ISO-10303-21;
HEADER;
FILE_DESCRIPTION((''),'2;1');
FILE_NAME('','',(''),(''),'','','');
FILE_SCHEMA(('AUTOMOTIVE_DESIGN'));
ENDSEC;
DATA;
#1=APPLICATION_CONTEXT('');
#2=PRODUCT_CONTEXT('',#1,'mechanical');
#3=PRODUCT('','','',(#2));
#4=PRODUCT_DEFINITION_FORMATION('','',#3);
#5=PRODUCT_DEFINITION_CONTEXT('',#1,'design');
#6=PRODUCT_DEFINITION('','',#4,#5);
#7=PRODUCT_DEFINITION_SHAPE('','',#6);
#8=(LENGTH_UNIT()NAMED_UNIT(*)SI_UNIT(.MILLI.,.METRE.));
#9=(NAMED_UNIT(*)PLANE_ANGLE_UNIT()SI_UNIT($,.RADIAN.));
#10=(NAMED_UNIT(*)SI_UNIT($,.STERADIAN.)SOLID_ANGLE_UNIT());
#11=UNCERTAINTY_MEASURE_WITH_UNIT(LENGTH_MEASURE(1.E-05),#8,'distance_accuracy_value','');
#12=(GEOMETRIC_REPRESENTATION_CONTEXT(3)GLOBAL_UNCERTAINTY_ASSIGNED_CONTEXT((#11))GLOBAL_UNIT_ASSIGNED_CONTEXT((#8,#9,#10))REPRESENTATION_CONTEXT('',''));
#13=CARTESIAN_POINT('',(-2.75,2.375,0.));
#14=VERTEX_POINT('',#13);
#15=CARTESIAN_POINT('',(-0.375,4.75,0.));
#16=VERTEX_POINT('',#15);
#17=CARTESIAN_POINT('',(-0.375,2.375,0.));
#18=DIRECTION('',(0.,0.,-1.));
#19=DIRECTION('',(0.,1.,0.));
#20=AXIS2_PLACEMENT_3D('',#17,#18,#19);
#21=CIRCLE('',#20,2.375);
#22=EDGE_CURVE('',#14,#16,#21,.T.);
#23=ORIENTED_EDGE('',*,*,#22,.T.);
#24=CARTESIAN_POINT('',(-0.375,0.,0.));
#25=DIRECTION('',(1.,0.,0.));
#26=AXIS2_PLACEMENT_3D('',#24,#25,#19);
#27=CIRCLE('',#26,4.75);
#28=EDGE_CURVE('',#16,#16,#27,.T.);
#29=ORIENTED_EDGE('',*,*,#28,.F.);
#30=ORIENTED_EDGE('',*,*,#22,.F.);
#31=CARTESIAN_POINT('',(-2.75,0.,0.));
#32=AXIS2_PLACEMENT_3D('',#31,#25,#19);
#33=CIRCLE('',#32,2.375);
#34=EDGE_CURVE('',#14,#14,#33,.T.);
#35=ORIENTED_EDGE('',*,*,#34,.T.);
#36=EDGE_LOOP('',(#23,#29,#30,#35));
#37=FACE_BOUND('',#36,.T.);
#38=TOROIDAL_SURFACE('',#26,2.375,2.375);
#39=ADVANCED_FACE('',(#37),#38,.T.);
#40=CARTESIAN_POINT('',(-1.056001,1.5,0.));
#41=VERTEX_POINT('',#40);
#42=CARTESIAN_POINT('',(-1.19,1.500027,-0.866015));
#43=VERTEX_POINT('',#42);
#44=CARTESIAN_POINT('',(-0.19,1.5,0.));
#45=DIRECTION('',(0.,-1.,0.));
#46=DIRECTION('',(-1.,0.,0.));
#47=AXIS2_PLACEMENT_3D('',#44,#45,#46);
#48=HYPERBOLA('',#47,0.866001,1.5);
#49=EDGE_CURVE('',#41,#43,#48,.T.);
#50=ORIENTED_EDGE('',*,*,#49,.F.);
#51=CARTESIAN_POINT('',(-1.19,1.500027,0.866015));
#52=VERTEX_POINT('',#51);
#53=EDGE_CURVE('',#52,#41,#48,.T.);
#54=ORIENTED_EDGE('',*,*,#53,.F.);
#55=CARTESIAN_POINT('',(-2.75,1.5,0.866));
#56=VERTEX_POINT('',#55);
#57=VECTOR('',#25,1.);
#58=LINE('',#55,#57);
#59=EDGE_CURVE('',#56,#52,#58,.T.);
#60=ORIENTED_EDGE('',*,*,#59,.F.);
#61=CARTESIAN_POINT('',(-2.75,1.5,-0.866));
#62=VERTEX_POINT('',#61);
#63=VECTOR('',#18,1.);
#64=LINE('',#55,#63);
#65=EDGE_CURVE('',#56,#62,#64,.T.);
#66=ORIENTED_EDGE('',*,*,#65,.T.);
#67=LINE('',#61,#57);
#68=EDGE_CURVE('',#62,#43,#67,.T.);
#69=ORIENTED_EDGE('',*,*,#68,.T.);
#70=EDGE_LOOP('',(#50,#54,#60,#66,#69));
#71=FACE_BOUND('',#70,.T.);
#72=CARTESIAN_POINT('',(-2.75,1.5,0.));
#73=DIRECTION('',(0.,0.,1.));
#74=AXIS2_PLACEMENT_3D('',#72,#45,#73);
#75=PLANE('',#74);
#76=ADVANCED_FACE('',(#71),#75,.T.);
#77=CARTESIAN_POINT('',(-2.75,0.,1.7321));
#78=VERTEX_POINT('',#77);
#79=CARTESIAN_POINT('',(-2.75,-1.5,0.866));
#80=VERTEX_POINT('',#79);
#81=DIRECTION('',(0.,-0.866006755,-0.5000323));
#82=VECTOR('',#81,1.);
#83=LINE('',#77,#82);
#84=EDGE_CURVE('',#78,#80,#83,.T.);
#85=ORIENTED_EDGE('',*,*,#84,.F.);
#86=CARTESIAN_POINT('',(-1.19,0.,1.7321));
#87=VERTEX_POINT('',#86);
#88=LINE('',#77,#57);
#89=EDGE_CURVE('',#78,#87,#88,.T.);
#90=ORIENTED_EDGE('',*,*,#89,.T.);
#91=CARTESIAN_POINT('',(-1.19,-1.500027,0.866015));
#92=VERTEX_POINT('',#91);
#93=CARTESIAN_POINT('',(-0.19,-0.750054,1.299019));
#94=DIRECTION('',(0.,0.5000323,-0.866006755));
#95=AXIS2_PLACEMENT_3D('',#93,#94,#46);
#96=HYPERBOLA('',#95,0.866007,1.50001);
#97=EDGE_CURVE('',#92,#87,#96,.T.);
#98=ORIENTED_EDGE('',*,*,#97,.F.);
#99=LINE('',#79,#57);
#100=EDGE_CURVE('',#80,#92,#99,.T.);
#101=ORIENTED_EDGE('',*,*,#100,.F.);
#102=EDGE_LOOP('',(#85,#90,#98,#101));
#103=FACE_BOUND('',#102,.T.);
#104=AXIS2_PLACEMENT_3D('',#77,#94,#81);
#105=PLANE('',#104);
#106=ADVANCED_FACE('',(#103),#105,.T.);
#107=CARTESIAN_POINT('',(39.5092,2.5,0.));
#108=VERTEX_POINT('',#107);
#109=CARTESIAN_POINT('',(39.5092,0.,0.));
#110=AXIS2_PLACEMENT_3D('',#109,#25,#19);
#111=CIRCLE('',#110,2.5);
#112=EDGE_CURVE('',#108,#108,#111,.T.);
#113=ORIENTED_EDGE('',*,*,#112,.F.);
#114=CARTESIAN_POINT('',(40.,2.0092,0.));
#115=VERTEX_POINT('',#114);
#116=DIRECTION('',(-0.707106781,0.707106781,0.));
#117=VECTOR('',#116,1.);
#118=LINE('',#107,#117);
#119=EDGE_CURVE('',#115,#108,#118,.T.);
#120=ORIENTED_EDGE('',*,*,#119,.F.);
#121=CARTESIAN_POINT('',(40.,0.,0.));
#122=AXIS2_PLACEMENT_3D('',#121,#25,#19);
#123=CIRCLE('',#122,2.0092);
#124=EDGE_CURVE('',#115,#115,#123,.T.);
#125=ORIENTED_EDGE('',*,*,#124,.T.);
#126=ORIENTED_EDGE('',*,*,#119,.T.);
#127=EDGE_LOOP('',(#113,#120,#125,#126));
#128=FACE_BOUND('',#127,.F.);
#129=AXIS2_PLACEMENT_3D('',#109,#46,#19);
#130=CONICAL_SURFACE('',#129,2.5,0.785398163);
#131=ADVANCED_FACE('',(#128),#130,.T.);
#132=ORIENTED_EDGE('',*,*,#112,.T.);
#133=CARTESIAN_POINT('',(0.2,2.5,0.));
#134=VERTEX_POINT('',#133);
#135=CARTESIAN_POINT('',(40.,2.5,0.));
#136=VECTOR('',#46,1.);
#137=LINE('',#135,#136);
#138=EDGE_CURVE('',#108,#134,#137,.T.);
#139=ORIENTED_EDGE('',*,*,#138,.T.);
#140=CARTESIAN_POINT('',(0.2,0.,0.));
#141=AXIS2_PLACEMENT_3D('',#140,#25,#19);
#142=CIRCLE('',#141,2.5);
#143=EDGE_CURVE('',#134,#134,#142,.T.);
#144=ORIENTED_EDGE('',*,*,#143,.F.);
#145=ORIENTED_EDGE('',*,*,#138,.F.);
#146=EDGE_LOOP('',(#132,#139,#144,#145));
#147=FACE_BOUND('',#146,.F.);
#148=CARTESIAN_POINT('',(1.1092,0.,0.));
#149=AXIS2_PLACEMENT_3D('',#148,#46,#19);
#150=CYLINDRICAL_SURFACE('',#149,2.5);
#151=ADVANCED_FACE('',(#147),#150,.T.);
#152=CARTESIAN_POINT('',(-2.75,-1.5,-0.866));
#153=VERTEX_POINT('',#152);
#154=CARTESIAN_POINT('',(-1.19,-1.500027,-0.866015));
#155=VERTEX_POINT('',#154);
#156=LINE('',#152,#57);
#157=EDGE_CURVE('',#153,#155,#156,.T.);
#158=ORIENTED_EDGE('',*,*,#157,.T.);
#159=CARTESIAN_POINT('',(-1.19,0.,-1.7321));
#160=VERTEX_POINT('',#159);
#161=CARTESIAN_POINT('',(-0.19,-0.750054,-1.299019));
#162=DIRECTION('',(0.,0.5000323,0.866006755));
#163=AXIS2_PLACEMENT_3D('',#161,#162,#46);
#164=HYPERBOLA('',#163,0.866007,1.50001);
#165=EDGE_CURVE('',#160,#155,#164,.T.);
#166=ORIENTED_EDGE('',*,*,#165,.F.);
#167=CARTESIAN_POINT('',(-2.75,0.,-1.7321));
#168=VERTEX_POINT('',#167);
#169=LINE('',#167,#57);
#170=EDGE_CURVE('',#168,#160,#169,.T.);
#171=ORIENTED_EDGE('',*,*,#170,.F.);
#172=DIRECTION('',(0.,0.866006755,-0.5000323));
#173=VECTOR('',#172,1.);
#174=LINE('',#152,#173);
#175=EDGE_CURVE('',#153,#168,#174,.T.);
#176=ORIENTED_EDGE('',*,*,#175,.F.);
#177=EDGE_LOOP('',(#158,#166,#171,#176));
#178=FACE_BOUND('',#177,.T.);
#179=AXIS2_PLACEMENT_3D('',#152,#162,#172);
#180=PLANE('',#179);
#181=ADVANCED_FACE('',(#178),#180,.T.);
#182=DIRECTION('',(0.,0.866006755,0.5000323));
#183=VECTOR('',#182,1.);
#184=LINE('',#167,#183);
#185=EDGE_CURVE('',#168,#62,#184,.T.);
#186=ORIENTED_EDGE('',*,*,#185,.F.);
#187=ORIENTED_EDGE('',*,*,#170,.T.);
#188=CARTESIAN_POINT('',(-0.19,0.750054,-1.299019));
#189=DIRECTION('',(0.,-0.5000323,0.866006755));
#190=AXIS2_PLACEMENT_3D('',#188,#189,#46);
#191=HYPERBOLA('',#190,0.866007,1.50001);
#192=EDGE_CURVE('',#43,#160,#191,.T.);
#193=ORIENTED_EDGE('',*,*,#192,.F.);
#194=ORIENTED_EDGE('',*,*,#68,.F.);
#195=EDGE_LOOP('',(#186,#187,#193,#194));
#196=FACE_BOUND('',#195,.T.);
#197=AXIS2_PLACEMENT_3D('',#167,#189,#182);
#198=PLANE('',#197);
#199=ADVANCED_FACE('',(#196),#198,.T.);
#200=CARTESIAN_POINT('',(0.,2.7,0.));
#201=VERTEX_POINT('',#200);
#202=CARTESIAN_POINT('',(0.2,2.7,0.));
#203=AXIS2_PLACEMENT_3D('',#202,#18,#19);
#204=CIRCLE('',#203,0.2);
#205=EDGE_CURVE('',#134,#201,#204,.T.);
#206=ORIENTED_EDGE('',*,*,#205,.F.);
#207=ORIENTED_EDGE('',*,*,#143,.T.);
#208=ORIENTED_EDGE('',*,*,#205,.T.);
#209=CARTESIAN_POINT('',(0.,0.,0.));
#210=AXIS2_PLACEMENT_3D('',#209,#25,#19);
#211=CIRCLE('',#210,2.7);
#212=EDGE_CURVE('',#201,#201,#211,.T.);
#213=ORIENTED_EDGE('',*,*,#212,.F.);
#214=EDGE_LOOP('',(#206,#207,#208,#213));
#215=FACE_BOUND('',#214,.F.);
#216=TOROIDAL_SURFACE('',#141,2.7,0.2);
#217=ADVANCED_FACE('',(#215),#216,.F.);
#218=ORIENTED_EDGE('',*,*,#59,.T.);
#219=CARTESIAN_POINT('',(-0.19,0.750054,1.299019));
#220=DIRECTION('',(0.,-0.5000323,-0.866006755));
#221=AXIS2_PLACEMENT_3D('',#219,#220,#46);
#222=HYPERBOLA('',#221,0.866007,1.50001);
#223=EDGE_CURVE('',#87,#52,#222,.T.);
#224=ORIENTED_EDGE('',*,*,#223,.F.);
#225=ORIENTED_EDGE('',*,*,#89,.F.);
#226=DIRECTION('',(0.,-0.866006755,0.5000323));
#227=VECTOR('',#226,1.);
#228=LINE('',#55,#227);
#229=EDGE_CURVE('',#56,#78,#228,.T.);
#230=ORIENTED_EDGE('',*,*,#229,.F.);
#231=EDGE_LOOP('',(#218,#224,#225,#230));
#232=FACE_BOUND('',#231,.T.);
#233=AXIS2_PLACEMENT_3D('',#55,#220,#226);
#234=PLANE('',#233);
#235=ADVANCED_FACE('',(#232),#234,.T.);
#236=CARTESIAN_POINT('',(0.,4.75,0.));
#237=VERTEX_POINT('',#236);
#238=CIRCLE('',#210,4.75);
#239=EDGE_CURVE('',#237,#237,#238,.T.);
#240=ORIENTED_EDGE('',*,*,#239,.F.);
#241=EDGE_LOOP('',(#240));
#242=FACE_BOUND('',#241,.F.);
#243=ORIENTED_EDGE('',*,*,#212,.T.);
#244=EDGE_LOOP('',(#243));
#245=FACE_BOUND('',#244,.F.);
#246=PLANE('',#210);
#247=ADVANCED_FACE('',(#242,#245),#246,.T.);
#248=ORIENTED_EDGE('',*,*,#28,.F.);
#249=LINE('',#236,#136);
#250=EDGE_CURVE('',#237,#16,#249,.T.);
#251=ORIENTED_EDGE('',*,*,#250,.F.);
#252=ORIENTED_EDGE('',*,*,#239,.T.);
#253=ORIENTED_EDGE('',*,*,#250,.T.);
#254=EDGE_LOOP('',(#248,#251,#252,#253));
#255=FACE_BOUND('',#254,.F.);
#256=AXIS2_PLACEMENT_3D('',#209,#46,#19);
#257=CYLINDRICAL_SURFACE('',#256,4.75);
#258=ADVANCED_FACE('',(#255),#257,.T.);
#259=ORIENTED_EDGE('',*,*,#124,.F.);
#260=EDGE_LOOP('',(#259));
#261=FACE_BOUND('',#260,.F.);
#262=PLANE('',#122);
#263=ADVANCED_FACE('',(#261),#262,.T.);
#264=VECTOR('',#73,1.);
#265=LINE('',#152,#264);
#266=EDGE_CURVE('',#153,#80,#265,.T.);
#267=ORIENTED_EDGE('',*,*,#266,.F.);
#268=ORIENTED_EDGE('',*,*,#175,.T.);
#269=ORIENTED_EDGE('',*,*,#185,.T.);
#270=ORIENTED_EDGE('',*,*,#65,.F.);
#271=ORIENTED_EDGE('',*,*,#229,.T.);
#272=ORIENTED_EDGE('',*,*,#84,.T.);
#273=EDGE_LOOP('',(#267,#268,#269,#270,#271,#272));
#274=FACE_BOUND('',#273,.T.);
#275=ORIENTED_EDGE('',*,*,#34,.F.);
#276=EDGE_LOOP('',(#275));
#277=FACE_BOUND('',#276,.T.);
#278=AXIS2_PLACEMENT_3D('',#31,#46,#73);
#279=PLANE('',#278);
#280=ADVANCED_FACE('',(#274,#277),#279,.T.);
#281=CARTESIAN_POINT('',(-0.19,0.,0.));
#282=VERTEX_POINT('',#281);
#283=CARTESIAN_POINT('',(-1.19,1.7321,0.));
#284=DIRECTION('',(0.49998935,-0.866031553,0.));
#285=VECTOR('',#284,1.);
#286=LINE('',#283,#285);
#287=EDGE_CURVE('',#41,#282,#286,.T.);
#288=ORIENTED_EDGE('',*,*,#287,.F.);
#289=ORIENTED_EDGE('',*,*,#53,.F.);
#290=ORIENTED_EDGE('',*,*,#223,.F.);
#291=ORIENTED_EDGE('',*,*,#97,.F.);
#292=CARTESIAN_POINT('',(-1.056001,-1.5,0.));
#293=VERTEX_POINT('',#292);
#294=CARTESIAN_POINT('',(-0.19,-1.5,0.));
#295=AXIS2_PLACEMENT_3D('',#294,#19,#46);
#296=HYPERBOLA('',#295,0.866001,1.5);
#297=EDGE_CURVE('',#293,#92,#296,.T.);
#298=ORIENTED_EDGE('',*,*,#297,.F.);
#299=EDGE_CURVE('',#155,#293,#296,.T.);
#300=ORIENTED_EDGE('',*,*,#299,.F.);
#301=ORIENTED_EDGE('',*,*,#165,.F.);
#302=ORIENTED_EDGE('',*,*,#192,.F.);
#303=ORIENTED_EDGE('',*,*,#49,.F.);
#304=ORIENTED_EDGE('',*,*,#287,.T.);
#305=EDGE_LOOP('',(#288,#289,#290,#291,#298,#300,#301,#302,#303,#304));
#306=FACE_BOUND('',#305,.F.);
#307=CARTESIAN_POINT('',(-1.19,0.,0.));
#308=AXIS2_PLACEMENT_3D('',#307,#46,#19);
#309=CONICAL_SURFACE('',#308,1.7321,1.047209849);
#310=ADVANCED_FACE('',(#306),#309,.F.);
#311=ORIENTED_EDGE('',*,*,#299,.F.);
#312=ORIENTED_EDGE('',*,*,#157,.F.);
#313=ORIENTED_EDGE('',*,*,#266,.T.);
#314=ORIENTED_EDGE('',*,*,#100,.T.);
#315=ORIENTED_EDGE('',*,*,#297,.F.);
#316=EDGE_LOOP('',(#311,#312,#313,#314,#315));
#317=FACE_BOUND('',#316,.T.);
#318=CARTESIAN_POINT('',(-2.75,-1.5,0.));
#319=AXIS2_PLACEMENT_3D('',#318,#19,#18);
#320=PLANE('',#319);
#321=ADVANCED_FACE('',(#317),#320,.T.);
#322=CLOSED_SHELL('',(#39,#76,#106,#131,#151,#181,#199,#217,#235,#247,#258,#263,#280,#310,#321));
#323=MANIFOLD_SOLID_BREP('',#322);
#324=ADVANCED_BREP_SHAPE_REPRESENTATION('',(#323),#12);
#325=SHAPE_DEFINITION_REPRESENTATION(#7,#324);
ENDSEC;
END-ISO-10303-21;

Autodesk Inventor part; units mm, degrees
ref_plane "YZ Plane" through (0, 0, 0) normal (1, 0, 0) x (0, 1, 0)
ref_plane "XZ Plane" through (0, 0, 0) normal (0, 1, 0) x (-1, 0, 0)
sketch "Sketch1" plane through (0, 0, 0) normal (0, 0, 1) x (1, 0, 0)
  line L0 (-0.19, 0) -> (40, 0)
  line L1 (40, 0) -> (40, 2.5)
  line L2 (40, 2.5) -> (1.6, 2.5)
  line L3 (1.6, 2.5) -> (1.1092, 2.5)
  line L4 (1.1092, 2.5) -> (0, 2.5)
  line L5 (0, 2.5) -> (0, 4.75)
  line L6 (0, 4.75) -> (-2.75, 4.75)
  line L7 (-2.75, 4.75) -> (-2.75, 1.7321)
  line L8 (-2.75, 1.7321) -> (-1.19, 1.7321)
  line L9 (-1.19, 1.7321) -> (-0.19, 0)
  line L10 (-11.3, 0) -> (48.55, 0) projected
  line L11 (0, -0.95) -> (0, 5.7) projected
  line L12 (1.6, 2.5) -> (0, 2.5) construction
  dimension "d0" = 38.4
  dimension "d1" = 0.4908
  dimension "d2" = 2.75
  dimension "d3" = 1.56
  dimension "d4" = 60
  dimension "d5" = 5
  dimension "d6" = 5
  dimension "d7" = 3.4641
  dimension "d8" = 9.5
  dimension "d19" = 40
revolve "Body" add sketch "Sketch1" angle 360 about axis through (-0.19, 0, 0) along (1, 0, 0)
sketch "Sketch2" plane through (-2.75, 0, 0) normal (-1, 0, 0) x (0, 0, 1)
  circle A0 centre (0, 0) radius 1.7321 projected
  line L0 (0, -6.65) -> (0, 6.65) projected
  line L1 (-6.65, 0) -> (6.65, 0) projected
  line L2 (1.7321, 0) -> (0.866, -1.5)
  line L3 (0.866, -1.5) -> (-0.866, -1.5)
  line L4 (-0.866, -1.5) -> (-1.7321, 0)
  line L5 (-1.7321, 0) -> (-0.866, 1.5)
  line L6 (-0.866, 1.5) -> (0.866, 1.5)
  line L7 (0.866, 1.5) -> (1.7321, 0)
extrude "Slot" add sketch "Sketch2" against normal up to next contours L7 A0 | A0 L2 | L6 L0 A0 | A0 L0 L3 | L0 L6 A0 | A0 L3 L0 | L4 A0 | A0 L5
fillet "Fillet1" radius 2.375 1 edges at (-2.75, -4.75, 0)
thread "Thread" size "M5x0.8" class "4g6g" standard "ANSI Metric M Profile" length 38.4
chamfer "Chamfer1" distance 0.4908 distance2 0.4908 1 edges at (40, -2.5, 0) measured on face at (40, 0.9945, 0.5526)
fillet "Fillet2" radius 0.2 1 edges at (0, -2.5, 0)
ref_plane "Work Plane1" through (30, 0, 0) normal (0, -0.5, 0.866) x (1, 0, 0)
equation "\"d0\" = GEL"
equation "\"d1\" = GAL"
equation "\"d2\" = KOH"
equation "\"d3\" = INTI"
equation "\"d5\" = GD"
equation "\"d6\" = BDM"
equation "\"d7\" = 1.1547 * SW"
equation "\"d8\" = KOD"
equation "\"d19\" = NLG"
equation "\"d16\" = RR"
equation "\"d12\" = GEL"
equation "\"d14\" = -0.5 * SPD + 0.5 * GD"
equation "\"d15\" = GUL"
equation "\"d29\" = R"
equation "\"GD\" = NND"
equation "\"NLG\" = 40"
equation "\"GEL\" = 38.4"
equation "\"KOD\" = 9.5"
equation "\"KOH\" = 2.75"
equation "\"INTI\" = 1.56"
equation "\"GAL\" = 0.61345 * PTC"
equation "\"GUL\" = 0.61345 * PTC"
equation "\"BDM\" = NND"
equation "\"SW\" = 3"
equation "\"RR\" = 2.375"
equation "\"SPD\" = 4.01848"
equation "\"d28\" = R"
equation "\"R\" = 0.2"
equation "\"TOA\" = 30deg"
equation "\"THREADDIA\" = 5"
equation "\"KOD1\" = KOD - 2 * RR"
equation "\"PTC\" = 0.8"
equation "\"NND\" = 5"
equation "\"E0\" = 1.155 * SW"
equation "\"GD1\" = THREADDIA - 1.2269 * PTC"
properties part number "ANSI B18.3.4M - M5 x 0.8 x 40" material "Steel, Mild"
